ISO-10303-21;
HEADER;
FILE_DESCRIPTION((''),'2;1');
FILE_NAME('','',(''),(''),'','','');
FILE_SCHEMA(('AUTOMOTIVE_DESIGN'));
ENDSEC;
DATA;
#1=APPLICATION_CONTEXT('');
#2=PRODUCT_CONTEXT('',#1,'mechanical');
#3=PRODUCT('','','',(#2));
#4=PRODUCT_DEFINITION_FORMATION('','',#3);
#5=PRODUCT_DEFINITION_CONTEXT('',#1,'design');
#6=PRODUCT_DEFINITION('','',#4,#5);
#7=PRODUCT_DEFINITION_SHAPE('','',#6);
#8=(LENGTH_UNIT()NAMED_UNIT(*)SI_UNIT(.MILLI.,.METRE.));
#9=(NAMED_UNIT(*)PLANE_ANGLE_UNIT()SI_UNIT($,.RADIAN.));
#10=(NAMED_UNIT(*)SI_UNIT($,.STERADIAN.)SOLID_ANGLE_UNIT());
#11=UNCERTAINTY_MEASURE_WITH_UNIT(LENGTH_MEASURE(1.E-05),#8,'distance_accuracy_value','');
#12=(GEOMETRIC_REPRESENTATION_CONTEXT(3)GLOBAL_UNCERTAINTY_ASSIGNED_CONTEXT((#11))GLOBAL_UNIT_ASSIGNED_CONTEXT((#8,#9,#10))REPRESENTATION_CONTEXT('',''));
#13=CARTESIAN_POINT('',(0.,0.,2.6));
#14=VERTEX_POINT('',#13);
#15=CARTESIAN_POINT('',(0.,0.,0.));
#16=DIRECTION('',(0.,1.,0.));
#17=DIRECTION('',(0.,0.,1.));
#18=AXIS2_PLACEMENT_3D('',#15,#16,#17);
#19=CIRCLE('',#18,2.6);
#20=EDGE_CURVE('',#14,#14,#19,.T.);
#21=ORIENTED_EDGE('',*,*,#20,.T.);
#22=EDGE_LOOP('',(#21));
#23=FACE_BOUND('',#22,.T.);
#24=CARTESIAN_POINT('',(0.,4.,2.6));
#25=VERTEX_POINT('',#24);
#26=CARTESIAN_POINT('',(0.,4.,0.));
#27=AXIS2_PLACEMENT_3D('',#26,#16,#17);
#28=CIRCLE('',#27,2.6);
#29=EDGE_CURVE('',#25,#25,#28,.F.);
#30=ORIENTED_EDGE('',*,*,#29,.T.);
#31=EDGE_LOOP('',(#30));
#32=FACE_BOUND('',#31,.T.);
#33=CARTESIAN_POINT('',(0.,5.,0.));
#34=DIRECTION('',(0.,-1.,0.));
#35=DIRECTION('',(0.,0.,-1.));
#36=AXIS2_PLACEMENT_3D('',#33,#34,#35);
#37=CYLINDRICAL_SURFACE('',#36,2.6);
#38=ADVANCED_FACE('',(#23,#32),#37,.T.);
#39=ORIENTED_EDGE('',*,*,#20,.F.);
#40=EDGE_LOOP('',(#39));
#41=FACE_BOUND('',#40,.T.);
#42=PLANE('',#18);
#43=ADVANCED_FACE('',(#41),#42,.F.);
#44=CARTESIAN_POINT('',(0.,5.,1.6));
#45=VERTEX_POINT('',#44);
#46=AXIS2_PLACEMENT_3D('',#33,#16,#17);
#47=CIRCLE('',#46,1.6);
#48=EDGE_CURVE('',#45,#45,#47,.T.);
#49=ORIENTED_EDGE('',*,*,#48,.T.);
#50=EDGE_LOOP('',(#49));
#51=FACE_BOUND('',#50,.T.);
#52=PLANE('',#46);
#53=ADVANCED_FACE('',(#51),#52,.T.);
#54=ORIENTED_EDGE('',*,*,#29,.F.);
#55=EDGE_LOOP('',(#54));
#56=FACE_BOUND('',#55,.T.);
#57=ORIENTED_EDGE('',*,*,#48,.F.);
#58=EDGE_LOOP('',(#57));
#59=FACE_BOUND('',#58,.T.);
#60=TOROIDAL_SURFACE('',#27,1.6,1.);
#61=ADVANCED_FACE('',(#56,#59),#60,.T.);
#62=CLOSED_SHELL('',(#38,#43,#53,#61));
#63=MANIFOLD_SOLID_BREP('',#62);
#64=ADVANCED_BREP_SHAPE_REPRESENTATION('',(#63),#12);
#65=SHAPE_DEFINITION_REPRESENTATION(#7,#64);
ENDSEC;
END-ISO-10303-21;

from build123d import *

# Parameters (mm, degrees)
SKETCH1_R           = 2.6
BOSS_EXTRUDE1_DEPTH = 5
FILLET1_R           = 1


with BuildPart() as part:
    # Sketch1 → Boss-Extrude1 (new body)
    with BuildSketch(Plane(origin=(0, 0, 0), x_dir=(1, 0, 0), z_dir=(0, 1, 0))):
        Circle(SKETCH1_R)
    extrude(amount=BOSS_EXTRUDE1_DEPTH)

    # Fillet1
    fillet1_edges = [part.edges().sort_by_distance(p)[0] for p in [
        (-2.6, 5, 0),
    ]]
    fillet(fillet1_edges, radius=FILLET1_R)


solid = part.part
